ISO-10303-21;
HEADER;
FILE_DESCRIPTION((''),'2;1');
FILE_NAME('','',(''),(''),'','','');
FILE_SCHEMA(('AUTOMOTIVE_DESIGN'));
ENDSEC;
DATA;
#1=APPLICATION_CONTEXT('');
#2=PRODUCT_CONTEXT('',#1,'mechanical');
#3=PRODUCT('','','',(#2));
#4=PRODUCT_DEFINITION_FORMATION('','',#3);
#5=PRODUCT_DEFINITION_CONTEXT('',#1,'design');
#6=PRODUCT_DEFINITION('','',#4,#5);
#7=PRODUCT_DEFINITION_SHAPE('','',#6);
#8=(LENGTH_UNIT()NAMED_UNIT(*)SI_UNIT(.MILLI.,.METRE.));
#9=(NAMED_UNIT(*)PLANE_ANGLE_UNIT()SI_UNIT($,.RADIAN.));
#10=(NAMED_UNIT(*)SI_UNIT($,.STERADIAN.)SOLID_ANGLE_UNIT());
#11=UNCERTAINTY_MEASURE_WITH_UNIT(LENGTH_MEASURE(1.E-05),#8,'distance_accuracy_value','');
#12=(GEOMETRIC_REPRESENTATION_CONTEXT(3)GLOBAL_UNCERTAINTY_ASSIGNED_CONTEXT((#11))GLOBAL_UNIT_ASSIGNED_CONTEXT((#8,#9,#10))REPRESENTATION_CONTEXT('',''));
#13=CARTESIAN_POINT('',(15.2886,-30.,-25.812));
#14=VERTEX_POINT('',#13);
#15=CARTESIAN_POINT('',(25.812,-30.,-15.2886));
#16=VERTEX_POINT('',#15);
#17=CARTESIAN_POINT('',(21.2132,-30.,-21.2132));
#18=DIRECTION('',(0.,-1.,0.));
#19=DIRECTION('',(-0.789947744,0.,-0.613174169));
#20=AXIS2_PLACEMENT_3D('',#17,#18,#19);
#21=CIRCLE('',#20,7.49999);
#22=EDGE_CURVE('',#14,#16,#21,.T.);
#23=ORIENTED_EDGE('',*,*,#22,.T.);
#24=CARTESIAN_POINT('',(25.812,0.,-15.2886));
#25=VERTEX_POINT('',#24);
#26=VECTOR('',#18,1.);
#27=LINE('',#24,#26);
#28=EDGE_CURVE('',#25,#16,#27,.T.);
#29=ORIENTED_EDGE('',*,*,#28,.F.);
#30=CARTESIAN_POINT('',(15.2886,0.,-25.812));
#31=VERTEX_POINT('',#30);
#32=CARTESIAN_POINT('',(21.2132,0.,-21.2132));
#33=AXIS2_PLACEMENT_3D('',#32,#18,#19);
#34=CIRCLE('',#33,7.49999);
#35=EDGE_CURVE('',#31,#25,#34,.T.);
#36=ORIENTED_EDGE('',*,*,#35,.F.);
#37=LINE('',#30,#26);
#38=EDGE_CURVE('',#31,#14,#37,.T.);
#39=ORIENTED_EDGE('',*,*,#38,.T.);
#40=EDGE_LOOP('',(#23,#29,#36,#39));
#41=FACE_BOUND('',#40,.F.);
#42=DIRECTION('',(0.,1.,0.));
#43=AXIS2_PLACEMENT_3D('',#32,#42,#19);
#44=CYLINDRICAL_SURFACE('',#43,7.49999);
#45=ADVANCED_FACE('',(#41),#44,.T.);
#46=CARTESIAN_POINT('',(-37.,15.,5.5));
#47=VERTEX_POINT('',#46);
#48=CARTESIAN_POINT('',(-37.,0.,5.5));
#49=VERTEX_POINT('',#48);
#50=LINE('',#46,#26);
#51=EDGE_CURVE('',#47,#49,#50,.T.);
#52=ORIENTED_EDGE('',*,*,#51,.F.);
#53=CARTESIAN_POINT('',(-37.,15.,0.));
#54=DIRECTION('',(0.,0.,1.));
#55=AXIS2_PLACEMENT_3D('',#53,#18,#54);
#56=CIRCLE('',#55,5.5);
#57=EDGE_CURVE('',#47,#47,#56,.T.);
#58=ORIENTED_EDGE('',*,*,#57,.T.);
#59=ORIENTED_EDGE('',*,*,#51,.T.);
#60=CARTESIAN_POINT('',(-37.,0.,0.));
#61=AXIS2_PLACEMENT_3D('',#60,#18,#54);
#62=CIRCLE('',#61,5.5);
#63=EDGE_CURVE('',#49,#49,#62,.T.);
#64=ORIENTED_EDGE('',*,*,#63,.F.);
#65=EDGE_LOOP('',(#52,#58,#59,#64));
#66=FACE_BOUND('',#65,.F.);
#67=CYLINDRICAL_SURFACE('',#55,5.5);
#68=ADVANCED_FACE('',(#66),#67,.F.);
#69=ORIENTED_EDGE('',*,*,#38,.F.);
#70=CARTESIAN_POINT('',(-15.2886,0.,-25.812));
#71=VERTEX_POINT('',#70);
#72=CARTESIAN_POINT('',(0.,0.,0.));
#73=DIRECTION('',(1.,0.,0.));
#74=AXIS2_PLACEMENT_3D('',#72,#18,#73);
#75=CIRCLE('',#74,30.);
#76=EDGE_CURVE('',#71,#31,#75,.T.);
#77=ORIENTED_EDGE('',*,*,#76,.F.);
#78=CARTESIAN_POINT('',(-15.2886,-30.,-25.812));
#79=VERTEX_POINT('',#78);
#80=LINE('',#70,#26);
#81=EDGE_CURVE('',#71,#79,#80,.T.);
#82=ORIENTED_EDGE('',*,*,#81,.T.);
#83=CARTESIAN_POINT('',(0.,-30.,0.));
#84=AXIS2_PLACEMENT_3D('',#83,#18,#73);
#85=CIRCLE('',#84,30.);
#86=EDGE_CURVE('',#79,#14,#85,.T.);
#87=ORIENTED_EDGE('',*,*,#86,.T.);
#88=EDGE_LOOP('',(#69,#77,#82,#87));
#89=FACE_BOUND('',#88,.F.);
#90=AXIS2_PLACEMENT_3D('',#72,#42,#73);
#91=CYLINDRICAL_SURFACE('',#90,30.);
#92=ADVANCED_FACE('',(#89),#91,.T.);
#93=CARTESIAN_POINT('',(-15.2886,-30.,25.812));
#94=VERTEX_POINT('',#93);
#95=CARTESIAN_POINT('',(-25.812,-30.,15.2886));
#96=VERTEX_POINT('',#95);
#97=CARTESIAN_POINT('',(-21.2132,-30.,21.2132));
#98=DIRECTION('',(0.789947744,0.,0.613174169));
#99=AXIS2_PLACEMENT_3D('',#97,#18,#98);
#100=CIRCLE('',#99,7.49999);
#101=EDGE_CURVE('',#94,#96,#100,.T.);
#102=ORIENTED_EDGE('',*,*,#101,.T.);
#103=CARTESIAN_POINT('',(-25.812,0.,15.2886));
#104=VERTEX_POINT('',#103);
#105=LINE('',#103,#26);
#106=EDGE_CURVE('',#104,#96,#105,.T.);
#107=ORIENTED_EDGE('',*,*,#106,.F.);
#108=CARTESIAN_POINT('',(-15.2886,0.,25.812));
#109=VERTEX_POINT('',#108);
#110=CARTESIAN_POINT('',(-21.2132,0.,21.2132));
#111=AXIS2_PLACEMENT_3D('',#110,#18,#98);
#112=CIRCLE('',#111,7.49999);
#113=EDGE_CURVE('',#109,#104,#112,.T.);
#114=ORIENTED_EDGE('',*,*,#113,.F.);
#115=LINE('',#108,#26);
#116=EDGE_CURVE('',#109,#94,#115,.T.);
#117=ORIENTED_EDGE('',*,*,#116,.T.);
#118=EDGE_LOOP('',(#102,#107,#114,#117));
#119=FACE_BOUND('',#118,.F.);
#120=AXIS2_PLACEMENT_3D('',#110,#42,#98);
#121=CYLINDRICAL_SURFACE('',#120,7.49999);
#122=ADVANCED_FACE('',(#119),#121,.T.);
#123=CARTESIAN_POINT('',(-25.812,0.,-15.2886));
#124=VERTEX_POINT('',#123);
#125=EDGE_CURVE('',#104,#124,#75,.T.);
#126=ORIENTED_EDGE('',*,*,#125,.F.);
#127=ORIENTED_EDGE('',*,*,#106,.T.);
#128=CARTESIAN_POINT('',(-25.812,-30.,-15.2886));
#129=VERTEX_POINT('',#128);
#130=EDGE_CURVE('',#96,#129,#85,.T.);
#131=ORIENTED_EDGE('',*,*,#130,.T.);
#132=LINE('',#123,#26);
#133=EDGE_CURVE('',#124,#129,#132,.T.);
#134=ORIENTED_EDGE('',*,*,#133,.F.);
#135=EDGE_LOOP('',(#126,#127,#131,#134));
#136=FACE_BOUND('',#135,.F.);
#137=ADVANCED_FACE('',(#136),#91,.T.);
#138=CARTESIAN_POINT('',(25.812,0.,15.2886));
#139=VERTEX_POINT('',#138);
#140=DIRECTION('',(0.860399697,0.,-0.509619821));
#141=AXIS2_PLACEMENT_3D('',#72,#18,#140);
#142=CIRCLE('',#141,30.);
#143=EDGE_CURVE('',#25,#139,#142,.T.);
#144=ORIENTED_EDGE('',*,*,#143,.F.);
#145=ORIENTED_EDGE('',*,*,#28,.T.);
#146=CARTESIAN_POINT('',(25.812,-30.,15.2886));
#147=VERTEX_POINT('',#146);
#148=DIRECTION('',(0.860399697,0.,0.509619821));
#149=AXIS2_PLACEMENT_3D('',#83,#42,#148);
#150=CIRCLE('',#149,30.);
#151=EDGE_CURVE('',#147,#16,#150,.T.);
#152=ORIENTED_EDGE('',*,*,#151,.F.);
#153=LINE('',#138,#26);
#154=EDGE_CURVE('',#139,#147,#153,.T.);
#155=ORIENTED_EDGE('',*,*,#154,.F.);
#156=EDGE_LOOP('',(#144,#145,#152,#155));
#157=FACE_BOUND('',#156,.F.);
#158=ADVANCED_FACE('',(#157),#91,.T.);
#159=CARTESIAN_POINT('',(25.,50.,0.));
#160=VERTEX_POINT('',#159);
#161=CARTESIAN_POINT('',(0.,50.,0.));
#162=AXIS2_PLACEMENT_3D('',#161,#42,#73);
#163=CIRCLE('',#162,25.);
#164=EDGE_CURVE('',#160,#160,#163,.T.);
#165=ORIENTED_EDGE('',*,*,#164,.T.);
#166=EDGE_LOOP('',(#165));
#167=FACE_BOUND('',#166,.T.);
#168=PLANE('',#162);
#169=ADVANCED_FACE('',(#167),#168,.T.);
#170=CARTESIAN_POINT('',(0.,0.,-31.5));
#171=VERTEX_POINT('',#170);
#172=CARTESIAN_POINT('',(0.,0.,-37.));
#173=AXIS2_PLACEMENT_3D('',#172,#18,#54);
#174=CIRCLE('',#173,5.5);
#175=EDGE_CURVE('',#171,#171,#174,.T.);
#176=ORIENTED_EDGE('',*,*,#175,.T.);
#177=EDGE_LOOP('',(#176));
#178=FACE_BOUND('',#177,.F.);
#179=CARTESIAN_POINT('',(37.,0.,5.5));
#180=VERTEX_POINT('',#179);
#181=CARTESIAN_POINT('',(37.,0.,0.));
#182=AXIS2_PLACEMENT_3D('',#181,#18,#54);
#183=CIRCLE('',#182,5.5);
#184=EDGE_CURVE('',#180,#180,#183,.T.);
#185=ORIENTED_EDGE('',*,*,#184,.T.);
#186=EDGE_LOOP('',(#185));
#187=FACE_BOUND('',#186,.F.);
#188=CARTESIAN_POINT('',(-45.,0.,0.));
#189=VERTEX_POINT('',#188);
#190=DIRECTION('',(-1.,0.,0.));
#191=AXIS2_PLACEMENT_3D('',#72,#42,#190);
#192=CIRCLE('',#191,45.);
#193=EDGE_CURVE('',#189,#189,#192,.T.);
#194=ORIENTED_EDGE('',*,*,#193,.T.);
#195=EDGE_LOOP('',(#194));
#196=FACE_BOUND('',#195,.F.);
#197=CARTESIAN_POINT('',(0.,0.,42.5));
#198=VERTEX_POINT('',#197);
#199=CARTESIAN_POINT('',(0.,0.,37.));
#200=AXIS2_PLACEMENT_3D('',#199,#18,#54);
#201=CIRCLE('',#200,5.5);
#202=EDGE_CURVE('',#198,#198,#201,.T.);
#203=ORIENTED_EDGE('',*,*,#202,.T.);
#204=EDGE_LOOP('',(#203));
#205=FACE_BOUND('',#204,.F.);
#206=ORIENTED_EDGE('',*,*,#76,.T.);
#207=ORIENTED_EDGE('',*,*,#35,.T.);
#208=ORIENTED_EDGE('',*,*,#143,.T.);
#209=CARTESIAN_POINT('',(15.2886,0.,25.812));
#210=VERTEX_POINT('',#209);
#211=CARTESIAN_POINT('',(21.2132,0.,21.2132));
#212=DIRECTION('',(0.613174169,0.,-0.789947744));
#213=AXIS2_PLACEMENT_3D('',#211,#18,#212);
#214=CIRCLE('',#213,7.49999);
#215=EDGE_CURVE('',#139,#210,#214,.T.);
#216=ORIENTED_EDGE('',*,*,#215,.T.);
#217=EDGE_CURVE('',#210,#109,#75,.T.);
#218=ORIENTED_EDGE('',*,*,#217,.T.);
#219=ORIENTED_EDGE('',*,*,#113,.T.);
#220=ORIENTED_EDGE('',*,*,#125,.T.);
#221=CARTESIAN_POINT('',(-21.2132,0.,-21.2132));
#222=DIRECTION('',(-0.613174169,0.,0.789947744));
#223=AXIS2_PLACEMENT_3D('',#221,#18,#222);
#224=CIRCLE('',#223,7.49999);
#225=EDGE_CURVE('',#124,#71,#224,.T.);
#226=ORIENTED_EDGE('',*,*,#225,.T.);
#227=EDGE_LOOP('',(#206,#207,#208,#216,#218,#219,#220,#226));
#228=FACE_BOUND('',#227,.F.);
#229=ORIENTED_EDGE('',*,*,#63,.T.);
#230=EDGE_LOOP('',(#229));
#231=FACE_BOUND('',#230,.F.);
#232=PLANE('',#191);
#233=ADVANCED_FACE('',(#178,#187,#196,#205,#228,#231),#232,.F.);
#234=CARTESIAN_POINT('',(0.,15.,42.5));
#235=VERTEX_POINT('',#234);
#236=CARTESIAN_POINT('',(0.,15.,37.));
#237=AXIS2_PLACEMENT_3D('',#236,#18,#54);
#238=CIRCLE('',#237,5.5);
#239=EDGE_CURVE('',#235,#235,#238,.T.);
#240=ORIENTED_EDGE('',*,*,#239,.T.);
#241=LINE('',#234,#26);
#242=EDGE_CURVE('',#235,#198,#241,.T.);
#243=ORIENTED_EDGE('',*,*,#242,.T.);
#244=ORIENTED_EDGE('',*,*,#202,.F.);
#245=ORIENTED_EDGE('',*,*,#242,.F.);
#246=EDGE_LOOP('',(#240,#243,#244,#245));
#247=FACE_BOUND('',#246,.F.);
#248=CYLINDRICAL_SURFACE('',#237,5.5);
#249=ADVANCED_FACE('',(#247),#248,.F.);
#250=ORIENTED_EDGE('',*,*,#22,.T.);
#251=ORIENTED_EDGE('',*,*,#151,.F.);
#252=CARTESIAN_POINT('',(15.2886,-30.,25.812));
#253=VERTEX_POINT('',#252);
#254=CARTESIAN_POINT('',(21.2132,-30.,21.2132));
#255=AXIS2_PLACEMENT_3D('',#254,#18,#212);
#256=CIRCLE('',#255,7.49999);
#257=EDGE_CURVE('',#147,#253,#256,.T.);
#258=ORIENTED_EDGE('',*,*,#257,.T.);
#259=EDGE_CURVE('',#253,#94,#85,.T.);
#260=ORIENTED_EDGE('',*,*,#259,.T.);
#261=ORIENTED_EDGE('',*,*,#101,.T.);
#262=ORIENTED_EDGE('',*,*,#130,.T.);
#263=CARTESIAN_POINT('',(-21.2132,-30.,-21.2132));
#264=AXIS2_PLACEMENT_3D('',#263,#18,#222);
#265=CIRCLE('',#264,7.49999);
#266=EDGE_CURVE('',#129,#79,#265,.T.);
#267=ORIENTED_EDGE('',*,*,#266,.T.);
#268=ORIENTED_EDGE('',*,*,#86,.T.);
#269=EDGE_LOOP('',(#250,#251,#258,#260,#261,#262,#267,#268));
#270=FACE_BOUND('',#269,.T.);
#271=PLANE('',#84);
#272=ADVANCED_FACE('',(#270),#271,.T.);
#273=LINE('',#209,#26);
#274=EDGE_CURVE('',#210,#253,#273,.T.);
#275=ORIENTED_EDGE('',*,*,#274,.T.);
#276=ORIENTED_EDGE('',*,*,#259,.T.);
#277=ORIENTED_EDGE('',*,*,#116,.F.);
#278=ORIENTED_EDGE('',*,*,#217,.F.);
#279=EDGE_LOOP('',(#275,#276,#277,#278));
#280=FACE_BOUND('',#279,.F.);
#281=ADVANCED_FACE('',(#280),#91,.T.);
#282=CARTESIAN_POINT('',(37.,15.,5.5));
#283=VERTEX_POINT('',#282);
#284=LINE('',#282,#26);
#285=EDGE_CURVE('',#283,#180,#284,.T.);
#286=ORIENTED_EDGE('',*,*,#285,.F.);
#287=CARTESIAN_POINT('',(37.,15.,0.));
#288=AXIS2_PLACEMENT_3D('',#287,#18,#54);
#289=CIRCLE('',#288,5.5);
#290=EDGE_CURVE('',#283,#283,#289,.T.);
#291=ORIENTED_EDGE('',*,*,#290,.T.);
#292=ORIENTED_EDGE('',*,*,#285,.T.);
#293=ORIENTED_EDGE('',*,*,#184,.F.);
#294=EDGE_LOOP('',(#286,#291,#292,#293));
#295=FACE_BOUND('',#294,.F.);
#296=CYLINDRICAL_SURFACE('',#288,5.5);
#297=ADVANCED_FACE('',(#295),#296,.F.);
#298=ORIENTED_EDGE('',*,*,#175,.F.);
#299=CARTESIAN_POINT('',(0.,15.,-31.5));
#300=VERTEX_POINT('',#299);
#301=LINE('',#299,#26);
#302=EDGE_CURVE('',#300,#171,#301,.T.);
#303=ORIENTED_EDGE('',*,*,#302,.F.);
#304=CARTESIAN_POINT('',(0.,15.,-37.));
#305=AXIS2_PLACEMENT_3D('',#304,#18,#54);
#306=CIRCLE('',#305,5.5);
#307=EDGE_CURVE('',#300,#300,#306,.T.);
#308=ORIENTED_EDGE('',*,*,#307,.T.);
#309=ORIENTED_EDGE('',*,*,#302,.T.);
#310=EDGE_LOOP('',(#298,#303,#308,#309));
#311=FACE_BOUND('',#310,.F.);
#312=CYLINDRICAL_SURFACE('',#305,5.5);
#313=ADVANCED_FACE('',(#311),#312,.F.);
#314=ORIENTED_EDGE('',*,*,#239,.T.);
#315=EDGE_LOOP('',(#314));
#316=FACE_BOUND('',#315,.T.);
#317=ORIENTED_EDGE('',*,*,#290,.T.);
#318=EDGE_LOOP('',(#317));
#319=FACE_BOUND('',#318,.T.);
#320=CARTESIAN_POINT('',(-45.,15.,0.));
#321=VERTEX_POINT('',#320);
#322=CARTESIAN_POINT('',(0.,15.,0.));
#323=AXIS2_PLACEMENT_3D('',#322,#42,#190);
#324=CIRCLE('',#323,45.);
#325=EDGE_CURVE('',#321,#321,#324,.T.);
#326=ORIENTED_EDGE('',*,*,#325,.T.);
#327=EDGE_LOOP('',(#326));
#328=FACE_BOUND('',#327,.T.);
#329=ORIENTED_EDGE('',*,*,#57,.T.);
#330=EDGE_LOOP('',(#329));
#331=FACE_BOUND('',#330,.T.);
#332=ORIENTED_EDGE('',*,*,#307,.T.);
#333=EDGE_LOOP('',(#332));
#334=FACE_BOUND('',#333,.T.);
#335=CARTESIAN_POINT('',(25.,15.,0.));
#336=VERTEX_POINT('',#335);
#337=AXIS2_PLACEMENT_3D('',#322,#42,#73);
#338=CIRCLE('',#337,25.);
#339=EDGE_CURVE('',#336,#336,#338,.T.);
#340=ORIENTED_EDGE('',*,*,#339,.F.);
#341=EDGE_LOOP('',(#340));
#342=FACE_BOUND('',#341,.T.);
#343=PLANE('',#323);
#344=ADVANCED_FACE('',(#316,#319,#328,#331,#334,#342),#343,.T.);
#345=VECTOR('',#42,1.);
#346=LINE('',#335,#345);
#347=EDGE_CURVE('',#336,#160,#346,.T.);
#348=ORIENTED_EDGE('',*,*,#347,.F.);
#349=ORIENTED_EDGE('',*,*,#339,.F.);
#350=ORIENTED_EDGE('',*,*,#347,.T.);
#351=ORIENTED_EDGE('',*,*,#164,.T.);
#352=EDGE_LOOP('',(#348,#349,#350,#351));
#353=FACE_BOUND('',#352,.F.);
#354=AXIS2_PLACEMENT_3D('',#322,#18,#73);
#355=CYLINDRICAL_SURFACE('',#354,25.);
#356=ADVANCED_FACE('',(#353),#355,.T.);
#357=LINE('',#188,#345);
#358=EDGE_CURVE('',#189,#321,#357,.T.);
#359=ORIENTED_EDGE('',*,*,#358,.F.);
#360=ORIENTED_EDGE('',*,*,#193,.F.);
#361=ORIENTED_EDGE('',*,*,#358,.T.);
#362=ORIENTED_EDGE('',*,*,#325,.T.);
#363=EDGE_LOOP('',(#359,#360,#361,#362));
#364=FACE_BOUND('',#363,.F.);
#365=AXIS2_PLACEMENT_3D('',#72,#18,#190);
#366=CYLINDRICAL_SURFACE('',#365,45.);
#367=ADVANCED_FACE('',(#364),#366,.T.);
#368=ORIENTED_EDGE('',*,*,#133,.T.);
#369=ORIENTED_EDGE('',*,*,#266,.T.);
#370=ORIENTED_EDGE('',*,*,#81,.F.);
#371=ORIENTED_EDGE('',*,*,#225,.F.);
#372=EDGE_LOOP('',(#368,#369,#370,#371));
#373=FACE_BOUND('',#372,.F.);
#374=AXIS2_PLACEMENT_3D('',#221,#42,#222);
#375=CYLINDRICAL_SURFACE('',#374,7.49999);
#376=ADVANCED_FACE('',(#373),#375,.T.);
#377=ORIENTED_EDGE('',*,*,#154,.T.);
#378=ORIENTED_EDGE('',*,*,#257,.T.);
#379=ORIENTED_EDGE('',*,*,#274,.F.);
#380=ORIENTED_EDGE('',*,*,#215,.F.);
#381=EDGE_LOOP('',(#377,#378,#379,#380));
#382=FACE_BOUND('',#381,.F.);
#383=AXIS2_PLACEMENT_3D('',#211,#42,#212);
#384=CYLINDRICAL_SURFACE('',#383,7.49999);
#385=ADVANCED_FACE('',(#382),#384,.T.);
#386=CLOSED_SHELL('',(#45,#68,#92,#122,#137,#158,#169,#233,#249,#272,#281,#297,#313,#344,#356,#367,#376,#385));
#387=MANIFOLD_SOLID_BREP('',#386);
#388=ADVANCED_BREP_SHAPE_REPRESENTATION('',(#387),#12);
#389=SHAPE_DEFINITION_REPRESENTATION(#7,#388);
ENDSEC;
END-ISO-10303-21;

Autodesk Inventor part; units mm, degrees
ref_plane "YZ Plane" through (0, 0, 0) normal (1, 0, 0) x (0, 1, 0)
ref_plane "XZ Plane" through (0, 0, 0) normal (0, 1, 0) x (-1, 0, 0)
ref_plane "XY Plane" through (0, 0, 0) normal (0, 0, 1) x (1, 0, 0)
sketch "Эскиз1" plane through (0, 0, 0) normal (0, 1, 0) x (-1, 0, 0)
  circle A0 centre (0, 0) radius 45
  dimension "d0" = 90
extrude "Выдавливание1" add sketch "Эскиз1" along normal blind 15
sketch "Эскиз3" plane through (0, 0, 0) normal (0, -1, 0) x (1, 0, 0)
  circle A0 centre (0, 0) radius 30
  line L0 (-15.9099, 15.9099) -> (-21.2132, 21.2132)
  line L1 (0, 0) -> (30, 0) construction
  line L2 (-15.9099, -15.9099) -> (-21.2132, -21.2132)
  line L3 (0, 0) -> (30, 0) construction
  line L4 (15.9099, -15.9099) -> (21.2132, -21.2132)
  line L5 (0, 0) -> (30, 0) construction
  line L6 (15.9099, 15.9099) -> (21.2132, 21.2132)
  line L7 (0, 0) -> (30, 0) construction
  arc A1 (-25.812, -15.2886) -> (-15.2886, -25.812) centre (-21.2132, -21.2132) ccw
  arc A2 (-15.2886, 25.812) -> (-25.812, 15.2886) centre (-21.2132, 21.2132) ccw
  arc A3 (25.812, 15.2886) -> (15.2886, 25.812) centre (21.2132, 21.2132) ccw
  arc A4 (15.2886, -25.812) -> (25.812, -15.2886) centre (21.2132, -21.2132) ccw
  dimension "d26" = 60
  dimension "d27" = 30
  dimension "d28" = 135
  dimension "d29" = 30
  dimension "d30" = 135
  dimension "d31" = 30
  dimension "d32" = 45
  dimension "d33" = 30
  dimension "d34" = 45
  dimension "d35" = 15
  dimension "d36" = 15
  dimension "d37" = 15
  dimension "d38" = 15
extrude "Выдавливание2" add sketch "Эскиз3" along normal blind 30
sketch "Эскиз4" plane through (0, 15, 0) normal (0, 1, 0) x (1, 0, 0)
  circle A0 centre (0, 0) radius 25
  dimension "d41" = 50
extrude "Выдавливание3" add sketch "Эскиз4" along normal blind 35
sketch "Эскиз5" plane through (0, 15, 0) normal (0, 1, 0) x (1, 0, 0)
  line L0 (0, 0) -> (0, -37)
  arc A0 (15.2886, 25.812) -> (-15.2886, 25.812) centre (0, 0) ccw projected
  line L1 (0, 0) -> (37, 0)
  line L2 (0, 0) -> (0, 37)
  line L3 (0, 0) -> (-37, 0)
  dimension "d44" = 37
  dimension "d45" = 37
  dimension "d46" = 37
  dimension "d47" = 37
sketch "Эскиз6" plane through (0, 15, 0) normal (0, 1, 0) x (1, 0, 0)
  point P0 (37, 0)
  point P1 (0, -37)
  point P2 (-37, 0)
  point P3 (0, 37)
hole "Отверстие2" at (37, 15, 0) at (0, 15, 37) at (-37, 15, 0) at (0, 15, -37) direction (0, -1, 0) diameter 11 end through all
properties part number "КреплениеБарабана" material "Сталь, литейная"
